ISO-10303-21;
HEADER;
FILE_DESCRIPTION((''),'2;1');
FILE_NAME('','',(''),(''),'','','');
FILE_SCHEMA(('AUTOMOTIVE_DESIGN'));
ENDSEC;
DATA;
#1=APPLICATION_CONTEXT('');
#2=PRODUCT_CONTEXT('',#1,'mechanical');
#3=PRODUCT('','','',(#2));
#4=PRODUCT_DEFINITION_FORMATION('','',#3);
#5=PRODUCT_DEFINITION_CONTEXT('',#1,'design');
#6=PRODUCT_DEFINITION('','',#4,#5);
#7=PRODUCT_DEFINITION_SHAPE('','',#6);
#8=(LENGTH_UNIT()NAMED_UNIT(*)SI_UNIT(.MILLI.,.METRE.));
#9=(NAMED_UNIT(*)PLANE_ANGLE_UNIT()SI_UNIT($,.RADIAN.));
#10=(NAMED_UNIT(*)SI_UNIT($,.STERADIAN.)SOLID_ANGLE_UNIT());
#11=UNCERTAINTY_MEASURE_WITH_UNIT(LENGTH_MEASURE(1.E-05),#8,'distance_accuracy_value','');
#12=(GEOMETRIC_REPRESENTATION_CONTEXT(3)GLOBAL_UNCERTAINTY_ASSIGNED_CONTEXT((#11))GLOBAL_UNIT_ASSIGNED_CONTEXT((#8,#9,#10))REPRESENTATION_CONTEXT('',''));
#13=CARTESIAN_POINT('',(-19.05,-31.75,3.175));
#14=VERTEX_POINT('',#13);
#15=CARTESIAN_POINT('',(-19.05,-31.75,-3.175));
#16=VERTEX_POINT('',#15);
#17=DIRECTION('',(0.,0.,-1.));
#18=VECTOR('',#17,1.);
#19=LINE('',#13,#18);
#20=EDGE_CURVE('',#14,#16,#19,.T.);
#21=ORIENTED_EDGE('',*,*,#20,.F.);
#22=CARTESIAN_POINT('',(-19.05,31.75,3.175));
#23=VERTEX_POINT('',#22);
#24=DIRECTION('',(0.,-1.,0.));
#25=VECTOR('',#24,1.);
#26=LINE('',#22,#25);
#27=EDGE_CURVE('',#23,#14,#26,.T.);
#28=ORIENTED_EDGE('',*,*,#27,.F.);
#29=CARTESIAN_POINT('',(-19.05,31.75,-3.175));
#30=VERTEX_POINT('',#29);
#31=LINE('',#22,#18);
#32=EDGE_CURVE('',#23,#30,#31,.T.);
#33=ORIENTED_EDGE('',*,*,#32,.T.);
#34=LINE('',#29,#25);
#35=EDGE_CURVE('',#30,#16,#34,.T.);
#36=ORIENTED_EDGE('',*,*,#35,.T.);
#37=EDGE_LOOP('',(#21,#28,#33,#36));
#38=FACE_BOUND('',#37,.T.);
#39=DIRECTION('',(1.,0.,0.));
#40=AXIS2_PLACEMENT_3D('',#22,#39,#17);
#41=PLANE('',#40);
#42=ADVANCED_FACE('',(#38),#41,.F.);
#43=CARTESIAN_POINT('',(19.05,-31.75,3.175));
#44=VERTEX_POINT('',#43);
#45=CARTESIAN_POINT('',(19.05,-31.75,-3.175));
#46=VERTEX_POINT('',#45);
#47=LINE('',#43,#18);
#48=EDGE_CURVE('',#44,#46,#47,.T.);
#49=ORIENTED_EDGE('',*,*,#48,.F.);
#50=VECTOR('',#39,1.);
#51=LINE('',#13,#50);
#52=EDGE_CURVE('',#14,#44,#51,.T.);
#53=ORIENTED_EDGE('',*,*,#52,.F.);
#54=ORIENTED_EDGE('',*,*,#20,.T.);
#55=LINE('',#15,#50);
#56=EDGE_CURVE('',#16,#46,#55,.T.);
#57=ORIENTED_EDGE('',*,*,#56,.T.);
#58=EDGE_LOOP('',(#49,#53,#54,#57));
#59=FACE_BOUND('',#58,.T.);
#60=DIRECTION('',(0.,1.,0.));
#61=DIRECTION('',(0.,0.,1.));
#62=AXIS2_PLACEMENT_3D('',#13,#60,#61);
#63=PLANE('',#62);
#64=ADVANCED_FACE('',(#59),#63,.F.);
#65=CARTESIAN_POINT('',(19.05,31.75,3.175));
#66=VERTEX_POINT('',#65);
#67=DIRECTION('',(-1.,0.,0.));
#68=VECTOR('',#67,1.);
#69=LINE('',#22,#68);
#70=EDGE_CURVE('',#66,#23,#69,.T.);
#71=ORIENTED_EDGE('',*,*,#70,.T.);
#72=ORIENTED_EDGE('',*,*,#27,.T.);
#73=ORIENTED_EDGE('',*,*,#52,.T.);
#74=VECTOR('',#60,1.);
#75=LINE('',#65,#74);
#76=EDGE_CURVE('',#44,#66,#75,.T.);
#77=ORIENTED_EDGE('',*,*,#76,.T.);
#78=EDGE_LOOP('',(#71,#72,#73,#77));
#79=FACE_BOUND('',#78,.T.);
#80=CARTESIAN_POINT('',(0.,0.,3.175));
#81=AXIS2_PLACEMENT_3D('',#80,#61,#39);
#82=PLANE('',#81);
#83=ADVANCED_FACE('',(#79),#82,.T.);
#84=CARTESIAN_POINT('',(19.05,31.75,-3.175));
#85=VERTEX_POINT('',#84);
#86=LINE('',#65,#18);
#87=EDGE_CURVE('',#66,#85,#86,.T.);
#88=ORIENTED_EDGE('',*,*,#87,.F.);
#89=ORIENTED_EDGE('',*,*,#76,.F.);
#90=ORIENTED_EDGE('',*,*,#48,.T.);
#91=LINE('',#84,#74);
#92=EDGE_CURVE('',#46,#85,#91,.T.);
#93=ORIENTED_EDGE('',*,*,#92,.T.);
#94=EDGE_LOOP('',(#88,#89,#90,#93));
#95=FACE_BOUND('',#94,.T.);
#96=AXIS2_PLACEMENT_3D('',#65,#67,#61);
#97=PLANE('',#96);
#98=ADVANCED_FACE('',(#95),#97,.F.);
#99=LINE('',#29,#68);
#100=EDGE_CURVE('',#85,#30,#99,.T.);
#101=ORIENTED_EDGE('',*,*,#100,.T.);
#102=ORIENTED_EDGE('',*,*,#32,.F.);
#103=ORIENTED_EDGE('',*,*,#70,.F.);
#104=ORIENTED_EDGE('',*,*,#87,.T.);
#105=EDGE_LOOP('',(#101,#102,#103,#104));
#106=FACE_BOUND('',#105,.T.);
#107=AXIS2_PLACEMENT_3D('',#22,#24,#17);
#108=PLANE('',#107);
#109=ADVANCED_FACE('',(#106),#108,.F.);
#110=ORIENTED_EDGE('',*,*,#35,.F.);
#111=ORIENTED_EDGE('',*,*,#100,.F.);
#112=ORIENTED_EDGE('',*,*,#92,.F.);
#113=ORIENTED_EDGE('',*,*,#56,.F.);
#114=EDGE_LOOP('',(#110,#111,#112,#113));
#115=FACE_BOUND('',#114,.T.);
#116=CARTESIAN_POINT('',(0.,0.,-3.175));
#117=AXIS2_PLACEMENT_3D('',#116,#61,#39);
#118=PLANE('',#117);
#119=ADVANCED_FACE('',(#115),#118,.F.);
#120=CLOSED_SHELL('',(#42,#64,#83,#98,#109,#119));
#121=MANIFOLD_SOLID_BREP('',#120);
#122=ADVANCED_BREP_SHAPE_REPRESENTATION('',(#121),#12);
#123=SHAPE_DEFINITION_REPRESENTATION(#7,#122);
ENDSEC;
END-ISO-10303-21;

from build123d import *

# Parameters (mm, degrees)
ESQUISSE1_W        = 38.1
ESQUISSE1_H        = 63.5
BOSS_EXTRU_1_DEPTH = 3.175


with BuildPart() as part:
    # Esquisse1 → Boss.-Extru.1 (new, symmetric)
    with BuildSketch(Plane.XY):
        Rectangle(ESQUISSE1_W, ESQUISSE1_H)
    extrude(amount=BOSS_EXTRU_1_DEPTH, both=True)


solid = part.part
